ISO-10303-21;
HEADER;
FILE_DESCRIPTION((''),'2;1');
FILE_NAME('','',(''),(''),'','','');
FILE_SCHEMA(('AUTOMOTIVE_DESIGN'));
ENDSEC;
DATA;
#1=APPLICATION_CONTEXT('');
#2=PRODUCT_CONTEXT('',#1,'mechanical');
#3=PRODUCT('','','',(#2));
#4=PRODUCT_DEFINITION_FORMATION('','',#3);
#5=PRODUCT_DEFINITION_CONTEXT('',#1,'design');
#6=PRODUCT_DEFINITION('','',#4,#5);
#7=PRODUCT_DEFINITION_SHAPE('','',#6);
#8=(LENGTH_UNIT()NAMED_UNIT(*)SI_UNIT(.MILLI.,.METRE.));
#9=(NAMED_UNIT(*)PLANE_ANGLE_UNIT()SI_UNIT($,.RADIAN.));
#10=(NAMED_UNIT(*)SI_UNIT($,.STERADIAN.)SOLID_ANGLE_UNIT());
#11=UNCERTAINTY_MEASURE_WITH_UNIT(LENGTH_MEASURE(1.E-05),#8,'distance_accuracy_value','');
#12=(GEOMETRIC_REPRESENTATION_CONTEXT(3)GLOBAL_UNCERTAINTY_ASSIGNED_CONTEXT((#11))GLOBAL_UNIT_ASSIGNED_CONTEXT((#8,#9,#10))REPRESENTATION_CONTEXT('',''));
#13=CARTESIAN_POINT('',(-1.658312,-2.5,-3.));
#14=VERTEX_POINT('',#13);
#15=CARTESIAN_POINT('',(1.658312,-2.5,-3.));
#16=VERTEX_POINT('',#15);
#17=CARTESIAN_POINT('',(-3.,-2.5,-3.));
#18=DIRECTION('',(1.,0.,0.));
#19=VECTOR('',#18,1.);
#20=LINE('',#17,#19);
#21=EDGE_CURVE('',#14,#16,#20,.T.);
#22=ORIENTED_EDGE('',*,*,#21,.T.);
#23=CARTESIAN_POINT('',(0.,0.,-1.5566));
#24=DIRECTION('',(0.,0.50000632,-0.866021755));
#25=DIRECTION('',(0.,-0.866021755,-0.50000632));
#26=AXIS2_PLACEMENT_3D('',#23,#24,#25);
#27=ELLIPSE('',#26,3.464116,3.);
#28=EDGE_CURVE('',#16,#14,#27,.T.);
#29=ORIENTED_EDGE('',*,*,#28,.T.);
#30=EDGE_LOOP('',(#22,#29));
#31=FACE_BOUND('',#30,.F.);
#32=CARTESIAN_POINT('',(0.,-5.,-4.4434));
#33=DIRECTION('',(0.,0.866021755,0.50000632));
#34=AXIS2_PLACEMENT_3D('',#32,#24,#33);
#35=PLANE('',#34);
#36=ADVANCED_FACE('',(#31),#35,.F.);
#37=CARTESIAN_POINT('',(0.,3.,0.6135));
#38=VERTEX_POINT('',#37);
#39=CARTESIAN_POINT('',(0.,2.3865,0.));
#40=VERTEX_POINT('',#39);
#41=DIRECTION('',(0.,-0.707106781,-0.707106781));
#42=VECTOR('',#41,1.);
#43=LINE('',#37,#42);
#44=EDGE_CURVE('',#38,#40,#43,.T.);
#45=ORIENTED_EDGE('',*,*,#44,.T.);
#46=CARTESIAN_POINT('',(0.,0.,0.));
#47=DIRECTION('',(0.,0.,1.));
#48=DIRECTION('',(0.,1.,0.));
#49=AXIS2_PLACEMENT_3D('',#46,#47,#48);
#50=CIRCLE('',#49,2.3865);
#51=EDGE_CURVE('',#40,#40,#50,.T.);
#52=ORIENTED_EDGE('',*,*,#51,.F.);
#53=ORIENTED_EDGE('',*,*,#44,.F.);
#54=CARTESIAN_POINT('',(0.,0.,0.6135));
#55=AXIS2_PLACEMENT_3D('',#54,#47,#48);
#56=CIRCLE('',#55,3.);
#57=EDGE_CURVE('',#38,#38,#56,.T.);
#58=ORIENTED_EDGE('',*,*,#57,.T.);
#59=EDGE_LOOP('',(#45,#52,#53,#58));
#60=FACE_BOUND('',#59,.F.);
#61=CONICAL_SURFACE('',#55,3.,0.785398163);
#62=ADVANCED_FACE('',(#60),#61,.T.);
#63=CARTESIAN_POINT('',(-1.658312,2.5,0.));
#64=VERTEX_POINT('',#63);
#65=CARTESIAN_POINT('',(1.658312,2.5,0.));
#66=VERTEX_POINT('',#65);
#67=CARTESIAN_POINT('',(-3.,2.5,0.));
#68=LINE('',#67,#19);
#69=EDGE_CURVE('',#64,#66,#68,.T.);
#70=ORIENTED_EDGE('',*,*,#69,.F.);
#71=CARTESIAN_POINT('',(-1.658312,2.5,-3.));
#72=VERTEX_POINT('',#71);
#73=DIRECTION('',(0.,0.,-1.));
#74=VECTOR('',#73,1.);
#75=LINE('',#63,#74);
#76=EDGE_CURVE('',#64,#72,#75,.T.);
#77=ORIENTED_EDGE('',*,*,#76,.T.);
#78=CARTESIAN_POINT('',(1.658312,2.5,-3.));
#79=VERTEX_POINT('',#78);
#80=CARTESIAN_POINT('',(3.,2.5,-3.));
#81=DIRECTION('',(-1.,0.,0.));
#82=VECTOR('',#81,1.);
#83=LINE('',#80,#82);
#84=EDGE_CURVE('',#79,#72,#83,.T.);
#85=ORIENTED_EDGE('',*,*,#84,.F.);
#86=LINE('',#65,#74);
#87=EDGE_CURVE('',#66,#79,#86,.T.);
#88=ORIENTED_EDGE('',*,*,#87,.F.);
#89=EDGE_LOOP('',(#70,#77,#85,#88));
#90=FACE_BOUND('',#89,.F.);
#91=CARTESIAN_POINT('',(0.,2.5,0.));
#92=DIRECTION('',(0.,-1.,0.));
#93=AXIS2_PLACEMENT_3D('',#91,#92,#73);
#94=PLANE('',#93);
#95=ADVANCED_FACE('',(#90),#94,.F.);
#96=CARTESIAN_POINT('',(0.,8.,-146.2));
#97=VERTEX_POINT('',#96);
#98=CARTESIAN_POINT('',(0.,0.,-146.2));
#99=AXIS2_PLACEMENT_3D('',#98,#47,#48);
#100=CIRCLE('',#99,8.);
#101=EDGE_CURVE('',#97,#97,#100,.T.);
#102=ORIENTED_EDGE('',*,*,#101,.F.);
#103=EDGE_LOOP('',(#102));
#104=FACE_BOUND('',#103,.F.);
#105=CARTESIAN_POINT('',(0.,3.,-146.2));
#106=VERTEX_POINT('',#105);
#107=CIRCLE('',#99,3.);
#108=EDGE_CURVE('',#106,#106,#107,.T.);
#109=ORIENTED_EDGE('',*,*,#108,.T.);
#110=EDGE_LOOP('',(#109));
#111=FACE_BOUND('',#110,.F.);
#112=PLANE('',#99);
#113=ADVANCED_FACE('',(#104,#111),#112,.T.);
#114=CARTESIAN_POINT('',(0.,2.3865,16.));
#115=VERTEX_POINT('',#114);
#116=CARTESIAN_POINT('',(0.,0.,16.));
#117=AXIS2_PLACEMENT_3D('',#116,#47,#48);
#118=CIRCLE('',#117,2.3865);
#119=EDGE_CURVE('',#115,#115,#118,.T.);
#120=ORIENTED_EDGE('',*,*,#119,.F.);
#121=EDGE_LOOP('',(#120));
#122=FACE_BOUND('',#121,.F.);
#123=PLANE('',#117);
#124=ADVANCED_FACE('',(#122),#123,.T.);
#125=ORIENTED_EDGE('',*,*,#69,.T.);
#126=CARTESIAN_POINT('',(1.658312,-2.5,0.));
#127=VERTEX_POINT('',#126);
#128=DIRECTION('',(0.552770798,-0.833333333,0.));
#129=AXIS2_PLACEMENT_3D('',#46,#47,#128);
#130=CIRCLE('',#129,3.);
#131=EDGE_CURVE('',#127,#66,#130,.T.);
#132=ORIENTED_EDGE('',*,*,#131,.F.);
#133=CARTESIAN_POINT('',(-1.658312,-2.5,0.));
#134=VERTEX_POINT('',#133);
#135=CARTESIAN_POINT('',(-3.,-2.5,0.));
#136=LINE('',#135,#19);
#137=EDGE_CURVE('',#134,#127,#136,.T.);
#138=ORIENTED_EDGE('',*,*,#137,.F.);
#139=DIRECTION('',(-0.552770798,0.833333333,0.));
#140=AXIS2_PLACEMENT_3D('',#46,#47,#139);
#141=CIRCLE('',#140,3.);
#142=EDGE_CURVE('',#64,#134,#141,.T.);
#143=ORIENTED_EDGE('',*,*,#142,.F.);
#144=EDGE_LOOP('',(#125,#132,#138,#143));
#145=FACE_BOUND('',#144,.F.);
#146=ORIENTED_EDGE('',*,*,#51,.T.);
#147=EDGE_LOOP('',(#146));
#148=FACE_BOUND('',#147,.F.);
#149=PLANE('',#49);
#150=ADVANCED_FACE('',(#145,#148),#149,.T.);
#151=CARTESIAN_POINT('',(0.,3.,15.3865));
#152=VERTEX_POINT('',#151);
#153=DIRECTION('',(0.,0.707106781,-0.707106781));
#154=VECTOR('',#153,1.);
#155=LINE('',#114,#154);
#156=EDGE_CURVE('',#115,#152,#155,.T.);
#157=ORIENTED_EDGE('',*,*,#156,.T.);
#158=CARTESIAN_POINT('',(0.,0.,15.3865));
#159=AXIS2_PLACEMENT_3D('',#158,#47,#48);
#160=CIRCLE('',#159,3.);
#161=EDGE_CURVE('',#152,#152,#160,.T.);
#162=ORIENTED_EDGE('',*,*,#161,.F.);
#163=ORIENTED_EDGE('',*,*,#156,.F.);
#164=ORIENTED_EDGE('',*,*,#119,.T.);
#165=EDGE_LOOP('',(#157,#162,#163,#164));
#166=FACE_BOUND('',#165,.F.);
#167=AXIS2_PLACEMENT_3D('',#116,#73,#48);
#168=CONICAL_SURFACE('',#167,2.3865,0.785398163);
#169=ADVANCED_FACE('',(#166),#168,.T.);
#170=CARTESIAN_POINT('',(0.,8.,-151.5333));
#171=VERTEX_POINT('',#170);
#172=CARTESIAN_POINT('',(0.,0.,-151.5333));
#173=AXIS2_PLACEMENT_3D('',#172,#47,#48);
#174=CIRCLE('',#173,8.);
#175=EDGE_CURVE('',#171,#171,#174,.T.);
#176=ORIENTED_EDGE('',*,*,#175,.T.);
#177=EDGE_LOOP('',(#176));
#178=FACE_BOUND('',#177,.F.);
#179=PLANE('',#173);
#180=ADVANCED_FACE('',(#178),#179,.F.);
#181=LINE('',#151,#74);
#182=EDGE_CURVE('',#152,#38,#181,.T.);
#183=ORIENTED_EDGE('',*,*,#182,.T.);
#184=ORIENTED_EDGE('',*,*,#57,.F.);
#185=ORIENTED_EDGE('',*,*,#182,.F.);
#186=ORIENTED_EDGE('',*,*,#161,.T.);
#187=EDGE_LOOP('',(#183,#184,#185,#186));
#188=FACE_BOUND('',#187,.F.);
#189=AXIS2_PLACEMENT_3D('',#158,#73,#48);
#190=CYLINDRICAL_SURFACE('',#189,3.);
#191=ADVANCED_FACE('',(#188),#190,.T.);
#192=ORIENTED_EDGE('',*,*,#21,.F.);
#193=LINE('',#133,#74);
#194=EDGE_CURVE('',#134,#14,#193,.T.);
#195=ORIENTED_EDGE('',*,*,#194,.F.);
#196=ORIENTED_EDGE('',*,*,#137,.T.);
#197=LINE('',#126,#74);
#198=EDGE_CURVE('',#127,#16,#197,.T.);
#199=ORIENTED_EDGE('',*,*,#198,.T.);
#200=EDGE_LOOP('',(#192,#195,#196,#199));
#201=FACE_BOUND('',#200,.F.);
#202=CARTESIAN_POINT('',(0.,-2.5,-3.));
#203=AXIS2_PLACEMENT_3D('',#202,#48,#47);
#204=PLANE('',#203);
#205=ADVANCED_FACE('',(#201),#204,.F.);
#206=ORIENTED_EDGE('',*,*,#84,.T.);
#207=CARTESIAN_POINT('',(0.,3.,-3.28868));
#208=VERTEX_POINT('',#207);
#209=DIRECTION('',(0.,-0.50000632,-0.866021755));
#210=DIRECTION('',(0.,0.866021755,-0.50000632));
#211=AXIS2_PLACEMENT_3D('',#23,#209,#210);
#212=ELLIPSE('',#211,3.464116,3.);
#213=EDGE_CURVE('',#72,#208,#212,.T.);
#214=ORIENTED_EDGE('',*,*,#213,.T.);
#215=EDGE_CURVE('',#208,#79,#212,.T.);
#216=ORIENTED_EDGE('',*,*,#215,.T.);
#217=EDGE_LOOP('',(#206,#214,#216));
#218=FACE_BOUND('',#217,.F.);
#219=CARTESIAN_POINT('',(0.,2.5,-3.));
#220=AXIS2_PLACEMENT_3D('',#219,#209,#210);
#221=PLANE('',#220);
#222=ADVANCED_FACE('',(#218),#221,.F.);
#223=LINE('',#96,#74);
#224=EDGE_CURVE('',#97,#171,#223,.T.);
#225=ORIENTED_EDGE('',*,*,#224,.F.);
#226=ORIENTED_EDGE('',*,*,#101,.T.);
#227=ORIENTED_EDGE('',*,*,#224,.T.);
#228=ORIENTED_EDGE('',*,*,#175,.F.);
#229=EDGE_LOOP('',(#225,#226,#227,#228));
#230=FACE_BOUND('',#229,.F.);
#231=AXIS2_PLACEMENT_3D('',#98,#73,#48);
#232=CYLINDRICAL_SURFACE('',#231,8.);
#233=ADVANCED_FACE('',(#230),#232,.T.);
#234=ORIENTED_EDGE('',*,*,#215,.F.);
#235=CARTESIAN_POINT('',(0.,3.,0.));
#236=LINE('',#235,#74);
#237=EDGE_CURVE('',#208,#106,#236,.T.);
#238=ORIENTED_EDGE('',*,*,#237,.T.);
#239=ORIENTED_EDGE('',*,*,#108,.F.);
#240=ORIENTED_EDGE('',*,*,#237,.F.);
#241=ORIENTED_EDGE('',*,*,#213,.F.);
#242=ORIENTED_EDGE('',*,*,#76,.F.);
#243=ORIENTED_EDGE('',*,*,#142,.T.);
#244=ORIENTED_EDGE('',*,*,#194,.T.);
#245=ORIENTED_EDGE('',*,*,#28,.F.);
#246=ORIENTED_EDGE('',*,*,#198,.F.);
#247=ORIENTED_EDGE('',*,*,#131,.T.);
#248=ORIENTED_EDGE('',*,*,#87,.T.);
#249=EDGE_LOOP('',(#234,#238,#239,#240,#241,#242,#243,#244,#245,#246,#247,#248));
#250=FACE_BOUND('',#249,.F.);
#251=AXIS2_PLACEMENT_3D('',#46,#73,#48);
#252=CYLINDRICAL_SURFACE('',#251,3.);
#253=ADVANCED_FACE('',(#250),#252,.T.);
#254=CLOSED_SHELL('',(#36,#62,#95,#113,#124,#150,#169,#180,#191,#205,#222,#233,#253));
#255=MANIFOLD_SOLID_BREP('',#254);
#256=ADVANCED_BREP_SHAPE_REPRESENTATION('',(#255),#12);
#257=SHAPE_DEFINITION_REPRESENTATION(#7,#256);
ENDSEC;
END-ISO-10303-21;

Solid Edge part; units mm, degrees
sketch "Sketch1" plane through (0, 0, 0) normal (1, 0, 0) x (0, 1, 0)
  line L0 (0, 0) -> (3, 0)
  line L1 (3, 0) -> (3, -146.2)
  line L2 (3, -146.2) -> (8, -146.2)
  line L3 (8, -146.2) -> (8, -151.5333)
  line L4 (8, -151.5333) -> (0, -151.5333)
  line L5 (0, -151.5333) -> (0, 0)
revolve "RevolvedProtrusion1" add sketch "Sketch1" angle 360 about axis through (0, 0, -151.5333) along (0, 0, 1)
sketch "Sketch2" plane through (0, 0, 0) normal (1, 0, 0) x (0, 1, 0)
  line L0 (5, 2) -> (-5, 2)
  line L1 (-5, 2) -> (-5, -4.4434)
  line L2 (-5, -4.4434) -> (-2.5, -3)
  line L3 (-2.5, -3) -> (-2.5, 0)
  line L4 (-2.5, 0) -> (2.5, 0)
  line L5 (2.5, 0) -> (2.5, -3)
  line L6 (2.5, -3) -> (5, -4.4434)
  line L7 (5, -4.4434) -> (5, 2)
extrude "ExtrudedCutout_1" cut sketch "Sketch2" against normal blind 3 and the other way blind 3
sketch "Sketch3" plane through (0, 0, 0) normal (1, 0, 0) x (0, 1, 0)
  line L0 (0, 16) -> (2.3865, 16)
  line L1 (2.3865, 16) -> (3, 15.3865)
  line L2 (3, 15.3865) -> (3, 0.6135)
  line L3 (3, 0.6135) -> (2.3865, 0)
  line L4 (2.3865, 0) -> (0, 0)
  line L5 (0, 0) -> (0, 16)
revolve "RevolvedProtrusion2" add sketch "Sketch3" angle 360 about axis through (0, 0, 0) along (0, 0, 1)
properties part number "BumbleB0479"
